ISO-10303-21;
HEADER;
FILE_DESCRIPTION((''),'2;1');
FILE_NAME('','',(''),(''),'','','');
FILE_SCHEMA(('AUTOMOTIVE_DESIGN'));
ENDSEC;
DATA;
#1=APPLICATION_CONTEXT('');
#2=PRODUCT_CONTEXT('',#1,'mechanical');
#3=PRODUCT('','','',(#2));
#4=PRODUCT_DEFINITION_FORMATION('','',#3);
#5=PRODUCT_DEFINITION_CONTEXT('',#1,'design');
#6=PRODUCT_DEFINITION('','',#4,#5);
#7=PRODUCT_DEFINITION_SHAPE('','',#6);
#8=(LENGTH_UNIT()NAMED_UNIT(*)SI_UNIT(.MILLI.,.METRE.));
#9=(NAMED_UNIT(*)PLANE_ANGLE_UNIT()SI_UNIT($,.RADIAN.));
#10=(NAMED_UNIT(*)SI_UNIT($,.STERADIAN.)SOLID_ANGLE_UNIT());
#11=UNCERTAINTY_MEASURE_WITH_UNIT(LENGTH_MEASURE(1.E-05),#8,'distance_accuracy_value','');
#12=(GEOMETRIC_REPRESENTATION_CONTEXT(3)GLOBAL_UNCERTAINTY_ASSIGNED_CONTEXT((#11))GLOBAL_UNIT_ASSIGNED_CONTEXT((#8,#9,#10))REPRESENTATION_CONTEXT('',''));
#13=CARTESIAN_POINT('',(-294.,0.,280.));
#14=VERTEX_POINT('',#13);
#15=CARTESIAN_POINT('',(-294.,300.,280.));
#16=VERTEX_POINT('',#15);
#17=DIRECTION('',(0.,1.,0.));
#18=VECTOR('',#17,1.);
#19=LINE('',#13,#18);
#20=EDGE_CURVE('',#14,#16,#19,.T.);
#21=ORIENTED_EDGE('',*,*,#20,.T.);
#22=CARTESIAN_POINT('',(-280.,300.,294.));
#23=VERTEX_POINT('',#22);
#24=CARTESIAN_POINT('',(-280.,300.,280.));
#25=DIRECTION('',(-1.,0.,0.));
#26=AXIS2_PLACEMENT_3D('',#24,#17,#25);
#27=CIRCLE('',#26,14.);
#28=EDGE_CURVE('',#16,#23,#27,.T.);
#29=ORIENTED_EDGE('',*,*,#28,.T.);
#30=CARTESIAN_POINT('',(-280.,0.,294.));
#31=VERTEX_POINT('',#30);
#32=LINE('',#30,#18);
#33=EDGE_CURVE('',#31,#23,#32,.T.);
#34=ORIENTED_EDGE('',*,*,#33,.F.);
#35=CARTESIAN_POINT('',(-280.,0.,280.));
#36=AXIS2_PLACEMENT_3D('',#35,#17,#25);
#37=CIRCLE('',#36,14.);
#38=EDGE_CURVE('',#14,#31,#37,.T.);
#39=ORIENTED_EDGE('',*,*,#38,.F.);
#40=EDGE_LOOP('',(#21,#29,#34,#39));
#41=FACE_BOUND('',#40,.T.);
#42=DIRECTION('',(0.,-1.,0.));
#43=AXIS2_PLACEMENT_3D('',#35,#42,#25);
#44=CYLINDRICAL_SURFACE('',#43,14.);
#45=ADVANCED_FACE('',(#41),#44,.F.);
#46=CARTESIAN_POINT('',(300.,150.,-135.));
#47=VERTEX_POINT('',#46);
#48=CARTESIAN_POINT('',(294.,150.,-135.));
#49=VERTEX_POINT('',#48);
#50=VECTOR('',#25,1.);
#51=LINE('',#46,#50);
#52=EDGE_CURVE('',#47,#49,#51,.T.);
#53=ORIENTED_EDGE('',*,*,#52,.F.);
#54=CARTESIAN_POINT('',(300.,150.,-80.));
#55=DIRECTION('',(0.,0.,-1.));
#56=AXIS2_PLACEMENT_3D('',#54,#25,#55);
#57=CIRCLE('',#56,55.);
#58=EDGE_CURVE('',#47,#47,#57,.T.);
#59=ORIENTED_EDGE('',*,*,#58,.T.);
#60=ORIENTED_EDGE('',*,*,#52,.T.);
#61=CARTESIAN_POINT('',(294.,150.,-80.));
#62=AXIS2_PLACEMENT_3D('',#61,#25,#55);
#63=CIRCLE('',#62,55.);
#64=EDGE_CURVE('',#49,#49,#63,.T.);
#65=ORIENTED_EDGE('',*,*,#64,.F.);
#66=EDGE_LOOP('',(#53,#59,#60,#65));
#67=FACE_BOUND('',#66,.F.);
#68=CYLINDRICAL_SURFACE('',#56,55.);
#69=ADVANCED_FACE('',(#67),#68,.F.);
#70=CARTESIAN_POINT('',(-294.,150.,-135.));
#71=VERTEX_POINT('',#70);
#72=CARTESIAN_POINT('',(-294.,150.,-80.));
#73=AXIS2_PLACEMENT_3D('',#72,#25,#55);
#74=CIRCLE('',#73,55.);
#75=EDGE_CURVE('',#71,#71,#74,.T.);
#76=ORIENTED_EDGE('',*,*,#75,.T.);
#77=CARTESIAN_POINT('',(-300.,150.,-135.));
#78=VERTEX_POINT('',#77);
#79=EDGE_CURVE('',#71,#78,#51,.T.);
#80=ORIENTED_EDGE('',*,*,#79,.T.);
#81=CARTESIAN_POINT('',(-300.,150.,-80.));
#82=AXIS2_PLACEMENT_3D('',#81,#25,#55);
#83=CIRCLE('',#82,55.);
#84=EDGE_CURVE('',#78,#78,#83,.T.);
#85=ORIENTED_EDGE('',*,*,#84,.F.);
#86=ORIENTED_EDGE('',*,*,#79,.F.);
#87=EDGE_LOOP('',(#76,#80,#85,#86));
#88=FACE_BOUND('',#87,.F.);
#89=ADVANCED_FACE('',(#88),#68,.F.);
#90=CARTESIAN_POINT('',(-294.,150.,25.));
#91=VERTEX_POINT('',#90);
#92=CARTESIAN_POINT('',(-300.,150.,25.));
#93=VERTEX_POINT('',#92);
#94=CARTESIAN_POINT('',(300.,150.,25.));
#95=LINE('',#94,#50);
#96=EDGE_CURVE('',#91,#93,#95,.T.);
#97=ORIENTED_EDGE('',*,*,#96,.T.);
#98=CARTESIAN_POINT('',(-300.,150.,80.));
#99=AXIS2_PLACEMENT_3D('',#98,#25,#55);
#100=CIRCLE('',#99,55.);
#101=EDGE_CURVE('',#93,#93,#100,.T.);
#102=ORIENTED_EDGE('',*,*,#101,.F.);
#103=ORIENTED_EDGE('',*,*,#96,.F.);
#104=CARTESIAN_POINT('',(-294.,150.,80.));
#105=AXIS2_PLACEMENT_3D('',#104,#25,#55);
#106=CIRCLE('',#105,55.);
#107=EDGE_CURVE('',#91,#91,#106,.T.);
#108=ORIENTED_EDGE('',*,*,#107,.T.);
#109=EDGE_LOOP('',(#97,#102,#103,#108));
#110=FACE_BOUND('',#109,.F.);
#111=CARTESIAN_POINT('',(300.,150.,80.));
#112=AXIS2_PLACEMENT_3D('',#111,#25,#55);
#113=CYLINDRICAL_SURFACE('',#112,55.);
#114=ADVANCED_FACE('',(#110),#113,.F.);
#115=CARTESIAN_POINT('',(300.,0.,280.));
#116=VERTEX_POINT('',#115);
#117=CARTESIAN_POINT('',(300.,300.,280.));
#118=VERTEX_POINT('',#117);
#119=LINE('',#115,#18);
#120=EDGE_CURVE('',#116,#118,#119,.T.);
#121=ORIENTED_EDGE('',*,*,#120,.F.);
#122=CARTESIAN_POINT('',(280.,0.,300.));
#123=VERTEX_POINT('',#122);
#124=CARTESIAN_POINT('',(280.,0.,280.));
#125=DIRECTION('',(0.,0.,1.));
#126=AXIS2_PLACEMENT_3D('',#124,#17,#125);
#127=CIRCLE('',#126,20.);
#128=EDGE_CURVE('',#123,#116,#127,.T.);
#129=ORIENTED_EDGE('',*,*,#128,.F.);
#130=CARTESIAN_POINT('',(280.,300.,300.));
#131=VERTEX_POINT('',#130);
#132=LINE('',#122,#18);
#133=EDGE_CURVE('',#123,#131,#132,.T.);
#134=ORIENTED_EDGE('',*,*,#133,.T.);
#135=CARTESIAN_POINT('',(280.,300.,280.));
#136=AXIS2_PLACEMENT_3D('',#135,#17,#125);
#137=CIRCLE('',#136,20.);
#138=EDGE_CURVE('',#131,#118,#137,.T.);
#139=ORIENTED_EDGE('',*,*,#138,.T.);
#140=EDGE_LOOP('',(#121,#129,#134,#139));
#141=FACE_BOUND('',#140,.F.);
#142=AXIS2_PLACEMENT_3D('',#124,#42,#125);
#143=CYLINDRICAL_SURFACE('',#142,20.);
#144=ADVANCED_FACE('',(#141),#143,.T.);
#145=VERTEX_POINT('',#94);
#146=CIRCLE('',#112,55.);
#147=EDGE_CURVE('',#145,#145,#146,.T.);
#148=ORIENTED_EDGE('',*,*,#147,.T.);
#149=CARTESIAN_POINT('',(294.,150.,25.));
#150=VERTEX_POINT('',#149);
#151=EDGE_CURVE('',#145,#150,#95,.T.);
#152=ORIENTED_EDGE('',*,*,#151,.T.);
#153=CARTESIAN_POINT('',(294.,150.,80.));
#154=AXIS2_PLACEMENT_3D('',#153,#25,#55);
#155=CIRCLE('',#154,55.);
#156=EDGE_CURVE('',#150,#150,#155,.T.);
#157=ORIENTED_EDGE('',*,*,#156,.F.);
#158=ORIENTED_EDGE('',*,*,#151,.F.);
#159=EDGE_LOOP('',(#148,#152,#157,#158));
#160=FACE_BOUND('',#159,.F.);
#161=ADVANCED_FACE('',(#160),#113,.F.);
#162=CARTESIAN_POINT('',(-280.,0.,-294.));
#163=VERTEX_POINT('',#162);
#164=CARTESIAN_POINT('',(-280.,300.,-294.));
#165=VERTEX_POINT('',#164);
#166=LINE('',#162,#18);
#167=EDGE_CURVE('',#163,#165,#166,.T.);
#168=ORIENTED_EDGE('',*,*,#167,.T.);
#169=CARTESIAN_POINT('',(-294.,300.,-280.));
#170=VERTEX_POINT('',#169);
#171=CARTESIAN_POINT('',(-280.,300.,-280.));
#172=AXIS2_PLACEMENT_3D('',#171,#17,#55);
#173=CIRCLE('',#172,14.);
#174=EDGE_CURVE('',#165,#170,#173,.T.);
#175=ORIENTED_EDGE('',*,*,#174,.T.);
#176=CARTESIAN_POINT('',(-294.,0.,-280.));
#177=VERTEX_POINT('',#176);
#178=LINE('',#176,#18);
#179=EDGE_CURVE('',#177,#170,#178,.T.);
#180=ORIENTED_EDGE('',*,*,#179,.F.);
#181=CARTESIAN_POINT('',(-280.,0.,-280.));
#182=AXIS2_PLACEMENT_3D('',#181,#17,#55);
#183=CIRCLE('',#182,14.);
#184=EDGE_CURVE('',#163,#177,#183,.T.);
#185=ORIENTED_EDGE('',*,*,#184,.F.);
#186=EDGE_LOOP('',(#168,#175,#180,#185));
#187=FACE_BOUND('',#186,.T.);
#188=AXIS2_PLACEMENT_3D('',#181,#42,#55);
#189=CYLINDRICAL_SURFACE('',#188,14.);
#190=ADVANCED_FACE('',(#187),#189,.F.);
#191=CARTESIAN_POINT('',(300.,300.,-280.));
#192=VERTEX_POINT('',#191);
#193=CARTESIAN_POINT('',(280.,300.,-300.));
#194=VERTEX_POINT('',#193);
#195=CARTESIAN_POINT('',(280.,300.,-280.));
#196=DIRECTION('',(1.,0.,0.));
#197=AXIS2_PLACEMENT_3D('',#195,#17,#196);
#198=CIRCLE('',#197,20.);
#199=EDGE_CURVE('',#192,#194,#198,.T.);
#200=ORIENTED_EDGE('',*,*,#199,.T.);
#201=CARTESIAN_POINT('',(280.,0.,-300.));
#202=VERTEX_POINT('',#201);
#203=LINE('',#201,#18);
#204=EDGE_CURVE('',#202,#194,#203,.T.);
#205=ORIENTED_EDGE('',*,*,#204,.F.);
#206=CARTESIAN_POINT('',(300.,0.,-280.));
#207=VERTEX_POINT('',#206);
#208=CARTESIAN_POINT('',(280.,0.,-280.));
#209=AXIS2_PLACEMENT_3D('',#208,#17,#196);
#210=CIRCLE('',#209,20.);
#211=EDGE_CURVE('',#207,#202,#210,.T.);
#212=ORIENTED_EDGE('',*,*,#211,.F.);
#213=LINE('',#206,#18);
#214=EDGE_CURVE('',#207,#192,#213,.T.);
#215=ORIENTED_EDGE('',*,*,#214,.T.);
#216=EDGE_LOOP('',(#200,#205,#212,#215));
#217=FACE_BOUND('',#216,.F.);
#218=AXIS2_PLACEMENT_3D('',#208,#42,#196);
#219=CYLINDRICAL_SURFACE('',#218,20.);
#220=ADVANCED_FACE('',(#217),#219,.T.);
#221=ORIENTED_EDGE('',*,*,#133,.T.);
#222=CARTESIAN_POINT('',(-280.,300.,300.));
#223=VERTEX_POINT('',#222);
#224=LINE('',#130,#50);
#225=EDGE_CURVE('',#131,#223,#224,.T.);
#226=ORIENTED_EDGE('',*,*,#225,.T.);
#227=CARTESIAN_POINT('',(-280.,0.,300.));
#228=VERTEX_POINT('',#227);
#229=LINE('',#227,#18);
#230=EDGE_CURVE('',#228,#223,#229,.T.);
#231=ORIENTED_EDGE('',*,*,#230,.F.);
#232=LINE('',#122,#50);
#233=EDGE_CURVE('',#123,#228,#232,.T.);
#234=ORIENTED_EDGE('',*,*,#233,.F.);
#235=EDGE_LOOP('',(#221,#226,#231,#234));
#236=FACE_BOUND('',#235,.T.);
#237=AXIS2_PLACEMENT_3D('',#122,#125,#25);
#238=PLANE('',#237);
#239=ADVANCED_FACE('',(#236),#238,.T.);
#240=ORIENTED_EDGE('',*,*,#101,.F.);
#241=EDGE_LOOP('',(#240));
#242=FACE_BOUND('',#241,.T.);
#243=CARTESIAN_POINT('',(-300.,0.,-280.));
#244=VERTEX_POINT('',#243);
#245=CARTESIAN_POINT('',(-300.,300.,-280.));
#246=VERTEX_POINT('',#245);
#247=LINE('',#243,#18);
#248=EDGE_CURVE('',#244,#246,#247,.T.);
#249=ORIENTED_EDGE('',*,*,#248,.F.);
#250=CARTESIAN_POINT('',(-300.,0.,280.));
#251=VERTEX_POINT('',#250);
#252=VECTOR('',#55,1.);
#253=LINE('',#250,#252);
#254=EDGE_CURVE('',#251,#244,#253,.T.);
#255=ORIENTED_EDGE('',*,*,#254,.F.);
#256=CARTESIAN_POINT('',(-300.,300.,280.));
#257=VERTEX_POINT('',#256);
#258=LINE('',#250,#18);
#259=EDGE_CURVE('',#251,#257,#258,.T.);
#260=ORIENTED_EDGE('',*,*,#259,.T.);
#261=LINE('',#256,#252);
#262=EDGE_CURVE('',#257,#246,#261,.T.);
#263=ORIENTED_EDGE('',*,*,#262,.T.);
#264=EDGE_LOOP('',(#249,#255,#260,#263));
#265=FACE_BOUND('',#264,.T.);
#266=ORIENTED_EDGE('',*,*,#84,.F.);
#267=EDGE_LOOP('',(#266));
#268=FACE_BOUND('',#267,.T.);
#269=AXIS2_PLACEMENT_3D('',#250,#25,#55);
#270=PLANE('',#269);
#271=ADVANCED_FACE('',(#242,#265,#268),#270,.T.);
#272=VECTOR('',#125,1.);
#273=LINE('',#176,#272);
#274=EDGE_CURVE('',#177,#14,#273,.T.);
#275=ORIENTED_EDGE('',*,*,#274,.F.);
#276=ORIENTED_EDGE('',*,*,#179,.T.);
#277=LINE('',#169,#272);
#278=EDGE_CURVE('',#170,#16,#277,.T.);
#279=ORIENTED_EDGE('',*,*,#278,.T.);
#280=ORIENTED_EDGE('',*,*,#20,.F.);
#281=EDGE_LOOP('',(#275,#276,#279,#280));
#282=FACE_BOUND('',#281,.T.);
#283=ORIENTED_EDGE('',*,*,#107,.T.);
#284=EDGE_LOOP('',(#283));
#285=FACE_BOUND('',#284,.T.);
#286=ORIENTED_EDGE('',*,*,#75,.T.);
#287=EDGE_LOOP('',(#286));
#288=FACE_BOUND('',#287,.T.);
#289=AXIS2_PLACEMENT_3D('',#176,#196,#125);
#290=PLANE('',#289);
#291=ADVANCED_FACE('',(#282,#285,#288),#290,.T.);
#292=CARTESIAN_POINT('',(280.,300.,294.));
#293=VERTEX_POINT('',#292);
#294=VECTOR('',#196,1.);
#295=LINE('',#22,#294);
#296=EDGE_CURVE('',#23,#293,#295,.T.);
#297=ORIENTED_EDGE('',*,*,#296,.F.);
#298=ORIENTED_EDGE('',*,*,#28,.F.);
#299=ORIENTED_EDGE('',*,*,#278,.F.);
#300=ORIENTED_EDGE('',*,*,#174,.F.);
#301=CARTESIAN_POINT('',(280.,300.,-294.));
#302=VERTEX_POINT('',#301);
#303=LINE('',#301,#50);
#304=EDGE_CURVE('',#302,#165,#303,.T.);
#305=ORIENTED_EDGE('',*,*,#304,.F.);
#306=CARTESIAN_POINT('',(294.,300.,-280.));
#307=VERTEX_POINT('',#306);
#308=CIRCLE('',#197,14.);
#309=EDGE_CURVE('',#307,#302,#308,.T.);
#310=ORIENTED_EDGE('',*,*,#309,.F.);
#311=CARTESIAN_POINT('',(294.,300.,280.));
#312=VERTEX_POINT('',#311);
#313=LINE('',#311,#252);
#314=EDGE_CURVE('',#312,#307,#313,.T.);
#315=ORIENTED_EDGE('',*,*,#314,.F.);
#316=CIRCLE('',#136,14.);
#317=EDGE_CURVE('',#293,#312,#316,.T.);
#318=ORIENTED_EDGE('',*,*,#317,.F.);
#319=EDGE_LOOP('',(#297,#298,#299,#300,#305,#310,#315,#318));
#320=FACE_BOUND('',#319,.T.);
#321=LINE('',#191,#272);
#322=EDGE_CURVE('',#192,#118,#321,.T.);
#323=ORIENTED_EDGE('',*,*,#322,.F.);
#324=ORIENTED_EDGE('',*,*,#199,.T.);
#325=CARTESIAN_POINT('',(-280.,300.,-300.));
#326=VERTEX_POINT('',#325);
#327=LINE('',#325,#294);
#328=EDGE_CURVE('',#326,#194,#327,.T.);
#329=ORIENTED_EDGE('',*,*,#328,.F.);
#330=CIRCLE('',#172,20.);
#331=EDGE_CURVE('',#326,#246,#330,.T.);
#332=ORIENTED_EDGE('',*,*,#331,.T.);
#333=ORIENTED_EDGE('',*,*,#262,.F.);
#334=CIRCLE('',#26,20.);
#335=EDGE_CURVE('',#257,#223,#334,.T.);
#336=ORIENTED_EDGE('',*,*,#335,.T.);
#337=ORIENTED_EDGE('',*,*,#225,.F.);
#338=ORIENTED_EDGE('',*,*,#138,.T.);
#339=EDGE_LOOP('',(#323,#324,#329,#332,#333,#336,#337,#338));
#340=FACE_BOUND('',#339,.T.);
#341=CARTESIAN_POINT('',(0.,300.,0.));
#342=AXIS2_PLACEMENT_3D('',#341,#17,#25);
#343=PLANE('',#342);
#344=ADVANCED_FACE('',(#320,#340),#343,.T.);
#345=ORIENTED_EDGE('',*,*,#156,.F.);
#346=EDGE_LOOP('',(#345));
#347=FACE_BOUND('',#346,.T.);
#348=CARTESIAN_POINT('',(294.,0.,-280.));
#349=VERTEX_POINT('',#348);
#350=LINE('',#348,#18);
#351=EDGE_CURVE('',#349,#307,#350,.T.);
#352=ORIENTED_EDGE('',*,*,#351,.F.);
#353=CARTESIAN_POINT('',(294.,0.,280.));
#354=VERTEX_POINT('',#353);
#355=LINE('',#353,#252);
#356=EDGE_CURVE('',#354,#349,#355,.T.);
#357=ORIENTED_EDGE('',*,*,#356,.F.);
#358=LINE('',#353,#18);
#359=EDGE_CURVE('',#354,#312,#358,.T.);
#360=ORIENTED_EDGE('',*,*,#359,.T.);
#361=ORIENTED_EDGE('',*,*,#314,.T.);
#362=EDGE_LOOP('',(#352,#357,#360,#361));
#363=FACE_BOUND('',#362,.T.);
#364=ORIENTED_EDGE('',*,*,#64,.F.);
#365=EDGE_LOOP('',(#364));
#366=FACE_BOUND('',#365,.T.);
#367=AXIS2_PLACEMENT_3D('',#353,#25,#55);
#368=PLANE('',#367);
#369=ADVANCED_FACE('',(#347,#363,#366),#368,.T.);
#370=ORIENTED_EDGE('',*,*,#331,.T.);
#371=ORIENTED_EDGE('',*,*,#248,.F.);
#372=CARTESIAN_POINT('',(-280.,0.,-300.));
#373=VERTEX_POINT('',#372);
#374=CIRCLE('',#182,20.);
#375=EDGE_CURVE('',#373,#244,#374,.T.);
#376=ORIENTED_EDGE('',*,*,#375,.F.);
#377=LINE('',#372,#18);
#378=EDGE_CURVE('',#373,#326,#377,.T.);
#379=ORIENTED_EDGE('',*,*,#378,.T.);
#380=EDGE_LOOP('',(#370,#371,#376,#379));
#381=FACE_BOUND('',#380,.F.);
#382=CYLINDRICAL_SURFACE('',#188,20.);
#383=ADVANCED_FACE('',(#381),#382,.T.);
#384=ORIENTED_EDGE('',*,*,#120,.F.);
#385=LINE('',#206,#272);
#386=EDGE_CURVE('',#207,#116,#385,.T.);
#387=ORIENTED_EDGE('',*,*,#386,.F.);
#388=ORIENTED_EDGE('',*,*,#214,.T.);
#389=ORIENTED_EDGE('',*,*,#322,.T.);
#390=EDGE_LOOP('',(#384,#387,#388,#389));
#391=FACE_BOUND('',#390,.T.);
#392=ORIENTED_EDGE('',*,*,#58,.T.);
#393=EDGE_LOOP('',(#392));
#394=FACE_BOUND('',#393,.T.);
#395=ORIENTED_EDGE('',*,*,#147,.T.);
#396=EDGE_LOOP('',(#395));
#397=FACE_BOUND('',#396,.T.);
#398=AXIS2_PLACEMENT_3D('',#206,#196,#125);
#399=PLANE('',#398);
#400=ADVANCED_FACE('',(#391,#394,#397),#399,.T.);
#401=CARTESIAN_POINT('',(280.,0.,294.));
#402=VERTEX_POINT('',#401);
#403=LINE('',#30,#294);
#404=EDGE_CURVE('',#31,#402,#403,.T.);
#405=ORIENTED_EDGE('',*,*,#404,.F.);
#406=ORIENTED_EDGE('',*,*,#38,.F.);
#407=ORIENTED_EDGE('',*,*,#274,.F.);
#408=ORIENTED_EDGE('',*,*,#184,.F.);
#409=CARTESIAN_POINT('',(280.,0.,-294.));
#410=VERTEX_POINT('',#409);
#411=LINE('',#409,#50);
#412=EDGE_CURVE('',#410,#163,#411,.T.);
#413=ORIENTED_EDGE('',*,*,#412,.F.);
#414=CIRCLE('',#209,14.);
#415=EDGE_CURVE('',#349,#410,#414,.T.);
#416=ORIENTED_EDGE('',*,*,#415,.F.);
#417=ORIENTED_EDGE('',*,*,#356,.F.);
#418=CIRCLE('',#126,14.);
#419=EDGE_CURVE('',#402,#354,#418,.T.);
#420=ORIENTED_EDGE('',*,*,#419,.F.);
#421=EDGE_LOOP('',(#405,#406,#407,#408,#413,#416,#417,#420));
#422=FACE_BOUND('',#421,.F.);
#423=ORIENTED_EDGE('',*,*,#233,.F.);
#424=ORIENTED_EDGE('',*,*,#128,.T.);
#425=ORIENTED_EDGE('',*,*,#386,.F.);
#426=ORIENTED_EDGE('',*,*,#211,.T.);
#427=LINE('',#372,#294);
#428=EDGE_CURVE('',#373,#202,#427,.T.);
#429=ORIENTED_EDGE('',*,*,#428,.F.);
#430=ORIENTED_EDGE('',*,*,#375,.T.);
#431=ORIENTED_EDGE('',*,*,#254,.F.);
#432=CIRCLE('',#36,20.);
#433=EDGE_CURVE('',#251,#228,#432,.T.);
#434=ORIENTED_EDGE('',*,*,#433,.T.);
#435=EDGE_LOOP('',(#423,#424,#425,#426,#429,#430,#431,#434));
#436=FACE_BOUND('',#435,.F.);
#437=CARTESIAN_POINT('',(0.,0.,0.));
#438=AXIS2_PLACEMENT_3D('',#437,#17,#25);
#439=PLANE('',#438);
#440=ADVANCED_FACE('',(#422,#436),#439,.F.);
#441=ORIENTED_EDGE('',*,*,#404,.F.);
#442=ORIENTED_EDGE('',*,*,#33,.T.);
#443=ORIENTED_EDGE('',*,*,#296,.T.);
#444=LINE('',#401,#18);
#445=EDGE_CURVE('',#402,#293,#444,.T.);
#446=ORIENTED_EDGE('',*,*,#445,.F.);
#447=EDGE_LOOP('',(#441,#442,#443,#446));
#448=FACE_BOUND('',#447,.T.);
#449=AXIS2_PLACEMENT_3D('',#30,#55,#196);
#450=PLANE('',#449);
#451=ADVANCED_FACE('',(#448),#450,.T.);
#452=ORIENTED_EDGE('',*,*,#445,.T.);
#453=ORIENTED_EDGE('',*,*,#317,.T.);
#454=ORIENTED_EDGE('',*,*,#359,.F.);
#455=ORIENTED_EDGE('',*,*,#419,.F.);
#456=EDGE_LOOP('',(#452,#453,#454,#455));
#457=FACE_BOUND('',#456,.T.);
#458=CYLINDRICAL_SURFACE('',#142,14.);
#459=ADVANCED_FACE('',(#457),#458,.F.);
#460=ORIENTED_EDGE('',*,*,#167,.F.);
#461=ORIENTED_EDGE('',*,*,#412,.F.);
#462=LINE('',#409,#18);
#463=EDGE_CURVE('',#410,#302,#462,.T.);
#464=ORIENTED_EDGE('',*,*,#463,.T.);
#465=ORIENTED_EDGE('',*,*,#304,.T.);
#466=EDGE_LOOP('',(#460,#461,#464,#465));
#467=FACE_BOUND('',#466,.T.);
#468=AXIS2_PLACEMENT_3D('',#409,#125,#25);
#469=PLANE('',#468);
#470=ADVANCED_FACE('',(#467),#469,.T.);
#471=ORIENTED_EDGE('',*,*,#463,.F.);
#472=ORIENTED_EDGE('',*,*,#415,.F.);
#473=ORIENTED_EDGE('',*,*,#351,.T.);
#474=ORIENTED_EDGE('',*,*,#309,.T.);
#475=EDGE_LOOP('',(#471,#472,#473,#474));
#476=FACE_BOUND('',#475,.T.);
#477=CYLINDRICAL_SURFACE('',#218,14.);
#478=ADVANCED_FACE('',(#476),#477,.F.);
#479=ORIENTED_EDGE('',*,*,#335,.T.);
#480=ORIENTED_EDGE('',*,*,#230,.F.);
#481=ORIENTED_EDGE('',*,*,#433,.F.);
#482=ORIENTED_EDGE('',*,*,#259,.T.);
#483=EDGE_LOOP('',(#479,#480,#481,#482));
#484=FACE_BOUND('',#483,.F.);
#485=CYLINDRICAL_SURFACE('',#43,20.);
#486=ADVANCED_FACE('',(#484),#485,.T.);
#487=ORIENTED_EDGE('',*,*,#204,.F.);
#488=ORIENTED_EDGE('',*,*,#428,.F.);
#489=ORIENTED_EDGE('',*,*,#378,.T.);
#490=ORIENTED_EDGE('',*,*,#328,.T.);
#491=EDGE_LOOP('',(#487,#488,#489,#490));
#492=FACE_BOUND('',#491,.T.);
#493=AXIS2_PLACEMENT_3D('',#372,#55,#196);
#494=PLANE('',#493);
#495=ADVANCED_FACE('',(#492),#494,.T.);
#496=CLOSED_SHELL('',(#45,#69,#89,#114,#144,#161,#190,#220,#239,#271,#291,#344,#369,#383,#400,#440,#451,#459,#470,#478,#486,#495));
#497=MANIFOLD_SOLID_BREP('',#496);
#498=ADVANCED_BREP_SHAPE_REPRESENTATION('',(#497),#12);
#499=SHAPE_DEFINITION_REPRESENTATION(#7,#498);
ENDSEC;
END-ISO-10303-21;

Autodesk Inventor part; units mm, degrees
ref_plane "YZ Plane" through (0, 0, 0) normal (1, 0, 0) x (0, 1, 0)
ref_plane "XZ Plane" through (0, 0, 0) normal (0, 1, 0) x (-1, 0, 0)
ref_plane "XY Plane" through (0, 0, 0) normal (0, 0, 1) x (1, 0, 0)
sketch "Sketch1" plane through (0, 0, 0) normal (0, 1, 0) x (-1, 0, 0)
  line L0 (-280, 300) -> (280, 300)
  line L1 (300, 280) -> (300, -280)
  line L2 (280, -300) -> (-280, -300)
  line L3 (-300, -280) -> (-300, 280)
  line L4 (-300, 300) -> (300, -300) construction
  line L5 (300, 300) -> (-300, -300) construction
  arc A0 (300, 280) -> (280, 300) centre (280, 280) ccw
  arc A1 (280, -300) -> (300, -280) centre (280, -280) ccw
  arc A2 (-300, -280) -> (-280, -300) centre (-280, -280) ccw
  arc A3 (-280, 300) -> (-300, 280) centre (-280, 280) ccw
  line L6 (280, 294) -> (-280, 294)
  arc A4 (-280, 294) -> (-294, 280) centre (-280, 280) ccw
  line L7 (-294, 280) -> (-294, -280)
  arc A5 (-294, -280) -> (-280, -294) centre (-280, -280) ccw
  line L8 (-280, -294) -> (280, -294)
  arc A6 (280, -294) -> (294, -280) centre (280, -280) ccw
  line L9 (294, -280) -> (294, 280)
  arc A7 (294, 280) -> (280, 294) centre (280, 280) ccw
  point P0 (0, 0)
  dimension "d0" = 600
  dimension "d1" = 600
  dimension "d2" = 20
  dimension "d3" = 6
extrude "Extrusion1" add sketch "Sketch1" along normal blind 300
sketch "Sketch2" plane through (300, 0, 280) normal (1, 0, 0) x (0, 0, -1)
  line L0 (0, 0) -> (0, 300) projected
  line L1 (0, 150) -> (560, 150) construction
  line L2 (560, 0) -> (560, 300) projected
  point P0 (280, 0)
  point P1 (200, 150)
  point P2 (360, 150)
  dimension "d8" = 160
  dimension "d28" = 200
hole "Hole1" at (300, 150, 80) at (300, 150, -80) direction (-1, 0, 0) diameter 110 end through all
properties part number "Stackbox-110mm"
